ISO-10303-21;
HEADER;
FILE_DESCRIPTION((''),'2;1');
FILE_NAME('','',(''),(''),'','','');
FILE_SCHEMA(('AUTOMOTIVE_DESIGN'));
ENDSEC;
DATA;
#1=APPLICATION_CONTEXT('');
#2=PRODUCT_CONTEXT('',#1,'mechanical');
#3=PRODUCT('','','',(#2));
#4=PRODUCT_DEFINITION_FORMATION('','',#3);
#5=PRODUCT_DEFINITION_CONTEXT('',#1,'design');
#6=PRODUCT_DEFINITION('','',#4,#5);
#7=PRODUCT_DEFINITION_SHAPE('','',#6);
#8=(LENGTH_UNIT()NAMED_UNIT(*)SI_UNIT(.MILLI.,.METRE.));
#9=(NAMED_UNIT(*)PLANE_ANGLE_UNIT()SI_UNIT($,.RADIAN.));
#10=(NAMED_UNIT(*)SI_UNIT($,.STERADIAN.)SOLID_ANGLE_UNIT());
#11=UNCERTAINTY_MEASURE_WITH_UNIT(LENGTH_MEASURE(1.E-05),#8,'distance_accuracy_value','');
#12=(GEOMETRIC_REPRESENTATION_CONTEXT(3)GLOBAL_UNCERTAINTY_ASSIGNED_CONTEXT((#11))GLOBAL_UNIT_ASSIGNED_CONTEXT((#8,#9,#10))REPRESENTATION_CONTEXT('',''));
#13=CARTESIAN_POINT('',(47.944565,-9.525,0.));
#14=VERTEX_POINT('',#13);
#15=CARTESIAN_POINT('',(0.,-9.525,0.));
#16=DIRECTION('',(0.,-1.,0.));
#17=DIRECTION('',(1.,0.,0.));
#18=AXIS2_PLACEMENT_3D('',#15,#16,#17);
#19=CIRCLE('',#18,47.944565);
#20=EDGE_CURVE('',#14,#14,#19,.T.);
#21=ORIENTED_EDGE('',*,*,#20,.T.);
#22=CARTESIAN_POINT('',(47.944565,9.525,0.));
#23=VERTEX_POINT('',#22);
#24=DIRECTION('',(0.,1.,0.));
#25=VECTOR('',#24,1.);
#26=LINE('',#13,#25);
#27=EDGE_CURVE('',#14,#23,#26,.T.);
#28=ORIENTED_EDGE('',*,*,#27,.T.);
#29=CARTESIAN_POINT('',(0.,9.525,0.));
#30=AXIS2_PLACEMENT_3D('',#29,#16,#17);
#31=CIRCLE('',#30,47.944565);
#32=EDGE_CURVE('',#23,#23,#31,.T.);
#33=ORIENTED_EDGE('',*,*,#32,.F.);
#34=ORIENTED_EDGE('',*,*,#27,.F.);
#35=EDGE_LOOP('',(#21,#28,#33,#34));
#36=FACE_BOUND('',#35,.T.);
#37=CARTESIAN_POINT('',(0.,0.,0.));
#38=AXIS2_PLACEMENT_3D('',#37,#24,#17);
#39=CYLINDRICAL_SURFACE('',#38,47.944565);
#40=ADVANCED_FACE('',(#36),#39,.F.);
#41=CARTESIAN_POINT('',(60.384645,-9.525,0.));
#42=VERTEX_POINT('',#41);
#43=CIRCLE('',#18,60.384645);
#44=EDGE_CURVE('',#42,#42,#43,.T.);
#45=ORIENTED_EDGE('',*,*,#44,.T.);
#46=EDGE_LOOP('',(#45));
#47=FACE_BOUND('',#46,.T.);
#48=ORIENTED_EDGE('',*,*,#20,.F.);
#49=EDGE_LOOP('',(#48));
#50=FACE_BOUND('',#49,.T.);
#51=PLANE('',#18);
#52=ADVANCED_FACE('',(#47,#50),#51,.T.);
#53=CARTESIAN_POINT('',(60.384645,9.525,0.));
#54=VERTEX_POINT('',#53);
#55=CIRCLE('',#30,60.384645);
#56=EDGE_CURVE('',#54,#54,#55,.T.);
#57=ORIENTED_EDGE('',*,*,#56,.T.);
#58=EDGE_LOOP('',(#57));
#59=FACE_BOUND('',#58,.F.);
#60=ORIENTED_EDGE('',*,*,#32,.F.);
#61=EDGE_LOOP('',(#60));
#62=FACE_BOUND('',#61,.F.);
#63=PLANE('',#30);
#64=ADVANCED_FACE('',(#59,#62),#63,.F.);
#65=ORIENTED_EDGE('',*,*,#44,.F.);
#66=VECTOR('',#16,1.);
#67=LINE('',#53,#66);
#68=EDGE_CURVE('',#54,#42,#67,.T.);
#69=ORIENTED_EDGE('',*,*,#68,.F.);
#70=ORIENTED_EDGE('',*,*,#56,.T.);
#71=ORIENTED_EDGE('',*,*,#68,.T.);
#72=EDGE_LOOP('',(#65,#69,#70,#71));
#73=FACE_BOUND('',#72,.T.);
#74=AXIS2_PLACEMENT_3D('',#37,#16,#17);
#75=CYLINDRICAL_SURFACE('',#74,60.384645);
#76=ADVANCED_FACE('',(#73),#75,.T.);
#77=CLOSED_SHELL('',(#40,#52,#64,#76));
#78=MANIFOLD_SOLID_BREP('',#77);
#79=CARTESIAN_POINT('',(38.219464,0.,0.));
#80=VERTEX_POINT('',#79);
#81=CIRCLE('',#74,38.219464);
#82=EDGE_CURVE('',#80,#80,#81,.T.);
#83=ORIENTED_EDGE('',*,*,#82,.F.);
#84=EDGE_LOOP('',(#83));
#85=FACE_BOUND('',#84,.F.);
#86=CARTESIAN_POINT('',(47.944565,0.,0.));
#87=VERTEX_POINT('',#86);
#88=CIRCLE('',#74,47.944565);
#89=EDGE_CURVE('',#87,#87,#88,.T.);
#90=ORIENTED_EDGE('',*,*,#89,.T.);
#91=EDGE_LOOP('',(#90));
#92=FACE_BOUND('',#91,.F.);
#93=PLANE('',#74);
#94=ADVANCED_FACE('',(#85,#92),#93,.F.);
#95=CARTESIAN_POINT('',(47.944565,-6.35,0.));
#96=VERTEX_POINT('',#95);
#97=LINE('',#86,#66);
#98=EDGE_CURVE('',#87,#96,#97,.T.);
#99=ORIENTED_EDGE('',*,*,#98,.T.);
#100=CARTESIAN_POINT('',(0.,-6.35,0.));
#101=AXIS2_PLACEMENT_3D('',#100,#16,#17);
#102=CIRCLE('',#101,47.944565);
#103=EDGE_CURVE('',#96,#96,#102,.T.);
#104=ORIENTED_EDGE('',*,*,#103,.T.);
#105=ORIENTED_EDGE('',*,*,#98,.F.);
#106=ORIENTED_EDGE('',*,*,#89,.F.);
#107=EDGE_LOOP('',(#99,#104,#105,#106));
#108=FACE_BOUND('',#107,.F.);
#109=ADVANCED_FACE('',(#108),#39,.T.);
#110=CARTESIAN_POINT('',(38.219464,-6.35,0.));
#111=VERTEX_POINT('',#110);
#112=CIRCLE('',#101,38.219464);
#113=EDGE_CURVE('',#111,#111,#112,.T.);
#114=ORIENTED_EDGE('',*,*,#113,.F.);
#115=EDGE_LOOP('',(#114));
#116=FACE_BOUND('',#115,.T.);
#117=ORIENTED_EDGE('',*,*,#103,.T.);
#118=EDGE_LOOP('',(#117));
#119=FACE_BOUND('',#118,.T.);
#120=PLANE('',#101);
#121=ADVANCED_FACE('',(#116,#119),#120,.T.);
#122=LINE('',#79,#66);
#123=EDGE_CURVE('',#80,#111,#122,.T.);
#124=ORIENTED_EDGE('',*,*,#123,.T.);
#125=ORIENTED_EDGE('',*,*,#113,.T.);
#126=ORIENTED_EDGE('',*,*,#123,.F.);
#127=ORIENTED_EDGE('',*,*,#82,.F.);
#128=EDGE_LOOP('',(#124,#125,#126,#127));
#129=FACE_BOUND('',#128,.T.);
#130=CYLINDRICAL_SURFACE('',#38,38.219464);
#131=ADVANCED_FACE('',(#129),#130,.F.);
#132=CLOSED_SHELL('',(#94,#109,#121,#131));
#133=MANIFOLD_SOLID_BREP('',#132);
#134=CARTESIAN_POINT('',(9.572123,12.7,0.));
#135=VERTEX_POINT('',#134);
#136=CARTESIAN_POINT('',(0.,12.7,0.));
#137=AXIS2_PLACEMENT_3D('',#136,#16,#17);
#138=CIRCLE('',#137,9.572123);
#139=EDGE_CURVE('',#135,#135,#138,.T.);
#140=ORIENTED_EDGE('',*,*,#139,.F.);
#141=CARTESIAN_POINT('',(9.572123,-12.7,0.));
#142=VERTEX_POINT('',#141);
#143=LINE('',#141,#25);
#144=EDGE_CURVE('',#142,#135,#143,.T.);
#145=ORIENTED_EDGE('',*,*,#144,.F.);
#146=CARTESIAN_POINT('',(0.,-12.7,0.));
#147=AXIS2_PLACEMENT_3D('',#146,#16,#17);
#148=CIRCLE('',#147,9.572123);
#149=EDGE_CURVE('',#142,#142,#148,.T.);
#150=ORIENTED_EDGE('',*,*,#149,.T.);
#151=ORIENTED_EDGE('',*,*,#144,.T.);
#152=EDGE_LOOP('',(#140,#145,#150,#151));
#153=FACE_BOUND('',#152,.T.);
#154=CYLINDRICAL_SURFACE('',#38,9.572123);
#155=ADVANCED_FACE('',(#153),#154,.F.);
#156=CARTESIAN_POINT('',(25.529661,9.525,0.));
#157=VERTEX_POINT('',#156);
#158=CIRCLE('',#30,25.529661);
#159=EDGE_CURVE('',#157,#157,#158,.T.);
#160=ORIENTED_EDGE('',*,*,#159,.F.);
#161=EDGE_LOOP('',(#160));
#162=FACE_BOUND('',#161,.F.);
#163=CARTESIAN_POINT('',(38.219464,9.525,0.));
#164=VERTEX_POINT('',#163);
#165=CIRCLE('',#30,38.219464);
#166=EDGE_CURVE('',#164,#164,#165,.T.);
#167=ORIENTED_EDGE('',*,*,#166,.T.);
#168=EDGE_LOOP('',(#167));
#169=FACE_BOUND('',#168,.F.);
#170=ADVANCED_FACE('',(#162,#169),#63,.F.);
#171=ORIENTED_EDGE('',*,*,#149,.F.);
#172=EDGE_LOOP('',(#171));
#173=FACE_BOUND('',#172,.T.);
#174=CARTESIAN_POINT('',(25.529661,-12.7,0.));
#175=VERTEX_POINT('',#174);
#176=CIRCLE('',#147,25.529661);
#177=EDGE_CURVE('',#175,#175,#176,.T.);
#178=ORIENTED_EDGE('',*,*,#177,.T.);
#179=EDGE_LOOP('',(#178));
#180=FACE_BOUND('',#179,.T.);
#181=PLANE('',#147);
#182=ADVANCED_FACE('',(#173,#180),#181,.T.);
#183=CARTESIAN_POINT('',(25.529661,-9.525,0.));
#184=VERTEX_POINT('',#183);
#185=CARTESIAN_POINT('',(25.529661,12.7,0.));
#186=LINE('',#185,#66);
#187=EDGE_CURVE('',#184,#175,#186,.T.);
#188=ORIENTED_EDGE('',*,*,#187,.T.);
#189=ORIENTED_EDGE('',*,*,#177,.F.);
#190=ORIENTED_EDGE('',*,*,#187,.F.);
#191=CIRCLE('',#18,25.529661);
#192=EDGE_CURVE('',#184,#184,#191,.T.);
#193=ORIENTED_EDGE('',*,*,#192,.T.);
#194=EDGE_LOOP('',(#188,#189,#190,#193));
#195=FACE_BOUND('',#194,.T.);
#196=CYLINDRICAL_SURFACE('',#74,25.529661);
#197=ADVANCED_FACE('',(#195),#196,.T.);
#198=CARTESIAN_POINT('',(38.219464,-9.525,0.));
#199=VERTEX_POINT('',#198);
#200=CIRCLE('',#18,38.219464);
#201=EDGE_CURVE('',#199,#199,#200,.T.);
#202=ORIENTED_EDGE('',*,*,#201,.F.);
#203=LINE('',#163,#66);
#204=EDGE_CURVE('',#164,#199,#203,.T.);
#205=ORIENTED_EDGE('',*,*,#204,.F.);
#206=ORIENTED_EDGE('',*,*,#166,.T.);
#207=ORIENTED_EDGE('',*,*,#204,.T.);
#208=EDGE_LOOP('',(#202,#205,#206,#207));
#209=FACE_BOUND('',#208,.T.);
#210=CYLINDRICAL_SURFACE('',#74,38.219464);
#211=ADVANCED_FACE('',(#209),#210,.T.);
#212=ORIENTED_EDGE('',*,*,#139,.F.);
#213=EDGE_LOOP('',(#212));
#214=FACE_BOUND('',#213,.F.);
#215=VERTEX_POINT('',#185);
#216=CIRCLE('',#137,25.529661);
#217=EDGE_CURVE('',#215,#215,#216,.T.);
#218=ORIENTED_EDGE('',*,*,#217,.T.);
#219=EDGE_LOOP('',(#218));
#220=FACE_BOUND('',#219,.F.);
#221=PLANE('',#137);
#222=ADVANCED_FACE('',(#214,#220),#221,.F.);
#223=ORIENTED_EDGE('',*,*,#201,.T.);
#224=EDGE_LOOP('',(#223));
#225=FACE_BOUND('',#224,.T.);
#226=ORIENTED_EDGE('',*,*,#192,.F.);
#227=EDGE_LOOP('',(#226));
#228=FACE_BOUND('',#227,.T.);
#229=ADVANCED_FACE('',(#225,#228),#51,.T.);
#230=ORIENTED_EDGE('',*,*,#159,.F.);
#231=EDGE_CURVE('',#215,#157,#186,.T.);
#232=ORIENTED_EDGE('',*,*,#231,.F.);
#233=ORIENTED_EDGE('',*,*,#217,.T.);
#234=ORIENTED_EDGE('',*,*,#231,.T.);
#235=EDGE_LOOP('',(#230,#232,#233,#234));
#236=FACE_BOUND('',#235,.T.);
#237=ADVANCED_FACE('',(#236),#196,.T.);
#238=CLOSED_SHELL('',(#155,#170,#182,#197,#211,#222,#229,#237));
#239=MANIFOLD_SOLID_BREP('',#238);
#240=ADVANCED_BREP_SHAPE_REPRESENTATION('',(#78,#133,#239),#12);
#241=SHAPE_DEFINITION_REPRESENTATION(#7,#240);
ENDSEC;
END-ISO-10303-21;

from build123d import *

# Parameters (mm, degrees)
F0_R     = 25.529661
F0_R_2   = 9.572123
F1_DEPTH = 12.7
F0_R_3   = 60.384645
F0_R_4   = 47.944565
F2_DEPTH = 9.525
F0_R_5   = 38.219464
F3_DEPTH = 9.525
F4_DEPTH = 6.35


with BuildPart() as f1:
    # F0 (on Front) → F1 (new body, symmetric)
    with BuildSketch(Plane.XZ):
        Circle(F0_R)
        Circle(F0_R_2, mode=Mode.SUBTRACT)
    extrude(amount=F1_DEPTH, both=True)

    # F0 (on Front) → F3 (join, symmetric)
    with BuildSketch(Plane.XZ):
        Circle(F0_R_5)
        Circle(F0_R, mode=Mode.SUBTRACT)
    extrude(amount=F3_DEPTH, both=True)


with BuildPart() as f2:
    # F0 (on Front) → F2 (new body, symmetric)
    with BuildSketch(Plane.XZ):
        Circle(F0_R_3)
        Circle(F0_R_4, mode=Mode.SUBTRACT)
    extrude(amount=F2_DEPTH, both=True)


with BuildPart() as f4:
    # F0 (on Front) → F4 (new body)
    with BuildSketch(Plane.XZ):
        Circle(F0_R_4)
        Circle(F0_R_5, mode=Mode.SUBTRACT)
    extrude(amount=F4_DEPTH)


solid = Compound([f1.part, f2.part, f4.part])
